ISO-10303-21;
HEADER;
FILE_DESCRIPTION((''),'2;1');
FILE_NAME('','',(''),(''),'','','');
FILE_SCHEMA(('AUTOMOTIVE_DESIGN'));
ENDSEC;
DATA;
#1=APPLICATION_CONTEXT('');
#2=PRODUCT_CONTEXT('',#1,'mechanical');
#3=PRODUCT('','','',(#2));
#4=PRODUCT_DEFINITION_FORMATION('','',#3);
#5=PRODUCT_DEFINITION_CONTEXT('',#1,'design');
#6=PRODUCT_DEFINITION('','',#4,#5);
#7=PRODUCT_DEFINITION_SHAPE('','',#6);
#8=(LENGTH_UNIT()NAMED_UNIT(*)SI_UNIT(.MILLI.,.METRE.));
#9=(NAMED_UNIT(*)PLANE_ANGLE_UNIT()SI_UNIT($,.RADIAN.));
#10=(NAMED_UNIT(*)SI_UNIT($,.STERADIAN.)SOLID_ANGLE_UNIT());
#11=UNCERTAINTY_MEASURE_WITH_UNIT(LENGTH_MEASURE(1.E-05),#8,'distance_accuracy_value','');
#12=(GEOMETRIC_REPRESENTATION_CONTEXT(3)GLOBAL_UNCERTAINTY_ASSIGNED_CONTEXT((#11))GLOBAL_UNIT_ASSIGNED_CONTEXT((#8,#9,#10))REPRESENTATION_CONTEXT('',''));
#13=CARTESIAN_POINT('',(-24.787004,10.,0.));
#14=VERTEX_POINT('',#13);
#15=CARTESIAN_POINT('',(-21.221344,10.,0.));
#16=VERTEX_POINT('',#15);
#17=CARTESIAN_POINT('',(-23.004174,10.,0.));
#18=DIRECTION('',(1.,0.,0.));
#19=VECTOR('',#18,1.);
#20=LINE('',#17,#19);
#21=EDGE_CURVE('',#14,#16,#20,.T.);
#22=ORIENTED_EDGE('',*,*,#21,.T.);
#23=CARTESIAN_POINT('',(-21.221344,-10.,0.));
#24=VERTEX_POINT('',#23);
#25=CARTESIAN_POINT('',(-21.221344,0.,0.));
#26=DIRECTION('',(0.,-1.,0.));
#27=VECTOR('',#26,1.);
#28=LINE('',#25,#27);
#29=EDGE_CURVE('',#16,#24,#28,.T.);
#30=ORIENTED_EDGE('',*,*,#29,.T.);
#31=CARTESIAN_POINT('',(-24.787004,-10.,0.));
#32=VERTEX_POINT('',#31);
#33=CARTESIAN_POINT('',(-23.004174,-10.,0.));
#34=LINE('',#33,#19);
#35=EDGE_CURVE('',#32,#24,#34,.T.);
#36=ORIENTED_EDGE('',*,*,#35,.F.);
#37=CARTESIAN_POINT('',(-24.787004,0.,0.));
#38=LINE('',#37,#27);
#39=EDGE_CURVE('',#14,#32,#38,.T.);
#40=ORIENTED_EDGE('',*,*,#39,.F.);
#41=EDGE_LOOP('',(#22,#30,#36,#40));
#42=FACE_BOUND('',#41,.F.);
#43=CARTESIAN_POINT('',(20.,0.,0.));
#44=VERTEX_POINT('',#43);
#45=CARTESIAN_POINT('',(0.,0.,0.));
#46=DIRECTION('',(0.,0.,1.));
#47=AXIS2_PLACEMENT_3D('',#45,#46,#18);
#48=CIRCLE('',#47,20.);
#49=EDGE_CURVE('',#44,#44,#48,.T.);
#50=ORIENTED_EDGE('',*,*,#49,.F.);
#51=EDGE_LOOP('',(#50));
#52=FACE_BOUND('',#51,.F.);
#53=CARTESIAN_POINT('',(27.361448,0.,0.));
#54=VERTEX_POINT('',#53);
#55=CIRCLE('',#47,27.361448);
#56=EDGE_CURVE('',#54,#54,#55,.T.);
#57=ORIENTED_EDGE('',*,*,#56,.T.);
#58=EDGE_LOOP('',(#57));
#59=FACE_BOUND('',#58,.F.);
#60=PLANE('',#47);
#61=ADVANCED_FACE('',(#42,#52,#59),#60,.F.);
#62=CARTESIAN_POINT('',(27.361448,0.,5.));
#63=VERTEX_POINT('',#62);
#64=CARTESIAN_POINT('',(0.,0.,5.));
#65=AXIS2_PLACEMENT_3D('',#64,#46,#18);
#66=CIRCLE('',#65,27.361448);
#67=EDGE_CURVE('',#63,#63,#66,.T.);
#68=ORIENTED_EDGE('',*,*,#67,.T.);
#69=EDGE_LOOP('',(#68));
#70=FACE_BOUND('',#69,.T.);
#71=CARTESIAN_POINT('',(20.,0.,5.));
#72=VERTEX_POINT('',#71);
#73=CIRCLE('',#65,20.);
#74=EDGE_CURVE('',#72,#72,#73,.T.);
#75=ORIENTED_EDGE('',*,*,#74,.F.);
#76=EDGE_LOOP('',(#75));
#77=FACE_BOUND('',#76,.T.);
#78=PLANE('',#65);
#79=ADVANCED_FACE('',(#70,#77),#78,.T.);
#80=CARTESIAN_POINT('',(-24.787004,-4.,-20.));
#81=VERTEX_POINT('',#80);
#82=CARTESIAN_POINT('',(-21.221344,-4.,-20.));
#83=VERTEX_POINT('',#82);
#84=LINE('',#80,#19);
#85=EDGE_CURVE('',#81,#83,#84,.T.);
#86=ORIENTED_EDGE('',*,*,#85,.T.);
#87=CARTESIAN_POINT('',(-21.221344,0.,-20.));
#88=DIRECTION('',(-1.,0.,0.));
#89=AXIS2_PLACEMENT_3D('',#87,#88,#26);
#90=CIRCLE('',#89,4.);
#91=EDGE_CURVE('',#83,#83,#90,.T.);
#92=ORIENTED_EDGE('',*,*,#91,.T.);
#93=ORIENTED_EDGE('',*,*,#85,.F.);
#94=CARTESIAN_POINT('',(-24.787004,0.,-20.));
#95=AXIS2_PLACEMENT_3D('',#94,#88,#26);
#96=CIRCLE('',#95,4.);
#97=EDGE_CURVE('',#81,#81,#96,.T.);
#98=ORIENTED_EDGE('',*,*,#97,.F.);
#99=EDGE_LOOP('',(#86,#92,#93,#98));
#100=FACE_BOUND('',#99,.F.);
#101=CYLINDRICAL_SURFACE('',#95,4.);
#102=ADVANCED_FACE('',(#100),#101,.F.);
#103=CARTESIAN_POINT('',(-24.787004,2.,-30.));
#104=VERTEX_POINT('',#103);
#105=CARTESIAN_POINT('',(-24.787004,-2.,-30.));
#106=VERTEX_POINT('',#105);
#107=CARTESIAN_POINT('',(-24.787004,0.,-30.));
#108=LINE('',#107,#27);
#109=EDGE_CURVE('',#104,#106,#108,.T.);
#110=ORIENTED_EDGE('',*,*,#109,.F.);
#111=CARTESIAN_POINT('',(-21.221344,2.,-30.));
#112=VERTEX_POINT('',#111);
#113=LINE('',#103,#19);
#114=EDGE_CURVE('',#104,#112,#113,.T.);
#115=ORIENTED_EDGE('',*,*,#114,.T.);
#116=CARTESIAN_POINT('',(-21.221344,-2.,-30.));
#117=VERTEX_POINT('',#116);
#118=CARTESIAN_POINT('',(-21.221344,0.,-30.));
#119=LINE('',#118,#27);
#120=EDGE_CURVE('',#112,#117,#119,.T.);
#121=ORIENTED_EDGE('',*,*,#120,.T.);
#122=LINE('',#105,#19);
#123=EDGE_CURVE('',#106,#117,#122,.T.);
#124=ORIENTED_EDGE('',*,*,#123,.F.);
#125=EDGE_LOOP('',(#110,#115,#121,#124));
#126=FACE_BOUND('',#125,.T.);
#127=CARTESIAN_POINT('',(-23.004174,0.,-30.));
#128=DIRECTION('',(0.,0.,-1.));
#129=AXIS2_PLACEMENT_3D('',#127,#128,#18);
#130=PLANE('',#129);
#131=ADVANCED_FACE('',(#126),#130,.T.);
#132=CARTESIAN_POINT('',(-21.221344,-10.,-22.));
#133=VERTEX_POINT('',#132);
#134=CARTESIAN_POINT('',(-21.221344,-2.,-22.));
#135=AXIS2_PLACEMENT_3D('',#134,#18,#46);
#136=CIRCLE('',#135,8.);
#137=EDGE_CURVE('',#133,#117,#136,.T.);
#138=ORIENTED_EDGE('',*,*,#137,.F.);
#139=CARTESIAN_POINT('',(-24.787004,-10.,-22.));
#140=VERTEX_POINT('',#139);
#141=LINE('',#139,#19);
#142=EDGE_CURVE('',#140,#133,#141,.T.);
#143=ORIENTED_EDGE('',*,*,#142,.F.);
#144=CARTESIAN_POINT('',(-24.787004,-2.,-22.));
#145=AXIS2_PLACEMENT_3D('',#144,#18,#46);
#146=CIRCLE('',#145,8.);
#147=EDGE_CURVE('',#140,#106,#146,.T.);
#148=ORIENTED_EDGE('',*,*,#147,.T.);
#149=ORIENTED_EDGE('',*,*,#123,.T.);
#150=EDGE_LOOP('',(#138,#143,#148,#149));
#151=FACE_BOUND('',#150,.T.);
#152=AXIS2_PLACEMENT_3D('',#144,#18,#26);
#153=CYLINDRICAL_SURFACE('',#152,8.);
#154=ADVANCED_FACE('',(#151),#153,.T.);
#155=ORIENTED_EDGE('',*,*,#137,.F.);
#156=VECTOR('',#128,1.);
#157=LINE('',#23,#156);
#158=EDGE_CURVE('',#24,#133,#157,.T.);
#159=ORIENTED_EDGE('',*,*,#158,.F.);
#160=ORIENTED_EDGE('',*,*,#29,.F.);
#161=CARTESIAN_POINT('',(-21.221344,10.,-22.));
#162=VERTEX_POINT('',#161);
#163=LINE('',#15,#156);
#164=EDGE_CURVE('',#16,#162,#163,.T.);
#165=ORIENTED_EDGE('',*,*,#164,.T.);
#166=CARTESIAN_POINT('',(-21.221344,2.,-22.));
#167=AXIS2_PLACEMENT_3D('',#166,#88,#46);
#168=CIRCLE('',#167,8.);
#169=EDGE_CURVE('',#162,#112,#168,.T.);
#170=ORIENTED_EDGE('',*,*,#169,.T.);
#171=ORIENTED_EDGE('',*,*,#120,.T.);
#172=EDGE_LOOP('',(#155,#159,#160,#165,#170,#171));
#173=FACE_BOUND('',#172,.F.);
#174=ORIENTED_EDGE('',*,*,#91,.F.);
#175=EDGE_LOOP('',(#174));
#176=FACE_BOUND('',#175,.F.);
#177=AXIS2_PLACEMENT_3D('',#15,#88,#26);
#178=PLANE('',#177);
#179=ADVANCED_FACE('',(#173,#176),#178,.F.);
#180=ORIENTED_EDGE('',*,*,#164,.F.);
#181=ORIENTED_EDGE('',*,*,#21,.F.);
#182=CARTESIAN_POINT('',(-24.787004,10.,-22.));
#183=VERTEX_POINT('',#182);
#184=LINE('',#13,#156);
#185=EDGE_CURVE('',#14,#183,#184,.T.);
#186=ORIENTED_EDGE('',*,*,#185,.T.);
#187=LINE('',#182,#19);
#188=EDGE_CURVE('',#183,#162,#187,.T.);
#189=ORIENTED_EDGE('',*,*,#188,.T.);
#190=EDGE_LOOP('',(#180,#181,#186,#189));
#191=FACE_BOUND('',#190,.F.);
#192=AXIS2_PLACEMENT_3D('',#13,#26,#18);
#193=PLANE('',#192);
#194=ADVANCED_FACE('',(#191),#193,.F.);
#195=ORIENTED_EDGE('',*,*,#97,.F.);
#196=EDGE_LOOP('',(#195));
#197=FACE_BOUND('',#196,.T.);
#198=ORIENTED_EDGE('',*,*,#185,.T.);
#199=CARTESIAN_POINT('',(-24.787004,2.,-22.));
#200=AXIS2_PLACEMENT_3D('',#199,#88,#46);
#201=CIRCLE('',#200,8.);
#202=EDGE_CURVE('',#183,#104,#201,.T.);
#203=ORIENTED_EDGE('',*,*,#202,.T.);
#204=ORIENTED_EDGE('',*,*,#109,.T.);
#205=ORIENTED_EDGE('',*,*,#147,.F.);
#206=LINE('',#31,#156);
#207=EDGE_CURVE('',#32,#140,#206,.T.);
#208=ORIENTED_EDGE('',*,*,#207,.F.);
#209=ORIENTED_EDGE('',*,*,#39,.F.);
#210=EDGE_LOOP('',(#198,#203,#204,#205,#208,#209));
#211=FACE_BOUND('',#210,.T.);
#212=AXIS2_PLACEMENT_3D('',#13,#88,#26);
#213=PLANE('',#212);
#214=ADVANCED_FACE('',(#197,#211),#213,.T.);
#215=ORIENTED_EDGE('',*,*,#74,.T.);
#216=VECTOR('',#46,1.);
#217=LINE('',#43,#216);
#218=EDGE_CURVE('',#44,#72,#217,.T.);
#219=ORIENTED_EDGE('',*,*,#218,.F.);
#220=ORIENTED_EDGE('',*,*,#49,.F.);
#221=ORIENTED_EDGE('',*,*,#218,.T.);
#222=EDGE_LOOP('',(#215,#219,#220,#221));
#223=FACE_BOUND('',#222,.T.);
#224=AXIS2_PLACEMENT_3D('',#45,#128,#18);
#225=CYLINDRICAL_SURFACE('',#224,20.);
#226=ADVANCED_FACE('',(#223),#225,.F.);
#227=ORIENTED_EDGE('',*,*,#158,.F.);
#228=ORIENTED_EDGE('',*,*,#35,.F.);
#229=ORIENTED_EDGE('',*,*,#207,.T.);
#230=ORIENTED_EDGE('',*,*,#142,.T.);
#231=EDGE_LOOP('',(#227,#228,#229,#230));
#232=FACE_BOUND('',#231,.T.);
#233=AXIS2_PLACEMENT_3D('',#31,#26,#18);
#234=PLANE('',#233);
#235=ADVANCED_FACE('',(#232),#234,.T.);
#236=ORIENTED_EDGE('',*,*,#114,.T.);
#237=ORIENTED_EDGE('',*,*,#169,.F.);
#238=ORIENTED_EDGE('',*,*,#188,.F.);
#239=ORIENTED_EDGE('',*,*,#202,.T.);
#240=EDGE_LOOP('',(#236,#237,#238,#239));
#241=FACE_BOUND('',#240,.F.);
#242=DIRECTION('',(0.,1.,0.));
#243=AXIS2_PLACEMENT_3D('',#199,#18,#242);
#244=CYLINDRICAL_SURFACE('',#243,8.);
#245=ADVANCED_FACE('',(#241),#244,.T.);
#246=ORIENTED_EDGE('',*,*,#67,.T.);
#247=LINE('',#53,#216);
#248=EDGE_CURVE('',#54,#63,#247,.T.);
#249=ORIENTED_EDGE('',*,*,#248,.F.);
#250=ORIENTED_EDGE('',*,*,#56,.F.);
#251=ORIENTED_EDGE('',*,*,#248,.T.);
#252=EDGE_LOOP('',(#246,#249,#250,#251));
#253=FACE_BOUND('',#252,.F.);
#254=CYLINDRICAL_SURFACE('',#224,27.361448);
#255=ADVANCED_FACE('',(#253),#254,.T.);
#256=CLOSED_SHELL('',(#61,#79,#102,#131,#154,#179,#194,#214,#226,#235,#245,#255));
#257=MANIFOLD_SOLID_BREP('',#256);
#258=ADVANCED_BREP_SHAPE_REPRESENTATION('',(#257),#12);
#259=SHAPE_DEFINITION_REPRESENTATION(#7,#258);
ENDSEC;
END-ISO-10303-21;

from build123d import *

# Parameters (mm, degrees)
F0_R     = 27.361448
F0_R_2   = 20
F1_DEPTH = 5
F2_W     = 3.56566
F2_H     = 20
F3_DEPTH = 30
F4_R     = 4
F5_DEPTH = 25
F6_R     = 8


with BuildPart() as f1:
    # F0 (on Top) → F1 (new body)
    with BuildSketch(Plane.XY):
        Circle(F0_R)
        Circle(F0_R_2, mode=Mode.SUBTRACT)
    extrude(amount=F1_DEPTH)

    # F2 (on face) → F3 (join)
    with BuildSketch(Plane(origin=(0, 0, 0), x_dir=(1, 0, 0), z_dir=(0, 0, -1))):
        with Locations((-23.004174, 0)):
            Rectangle(F2_W, F2_H)
    extrude(amount=F3_DEPTH)

    # F4 (on face) → F5 (cut)
    with BuildSketch(Plane(origin=(-24.787004, 0, 0), x_dir=(0, -1, 0), z_dir=(-1, 0, 0))):
        with Locations((0, -20)):
            Circle(F4_R)
    extrude(amount=-F5_DEPTH, mode=Mode.SUBTRACT)

    # F6
    f6_edges = [f1.edges().sort_by_distance(p)[0] for p in [
        (-23.004174, -10, -30),
        (-23.004174, 10, -30),
    ]]
    fillet(f6_edges, radius=F6_R)


solid = f1.part
